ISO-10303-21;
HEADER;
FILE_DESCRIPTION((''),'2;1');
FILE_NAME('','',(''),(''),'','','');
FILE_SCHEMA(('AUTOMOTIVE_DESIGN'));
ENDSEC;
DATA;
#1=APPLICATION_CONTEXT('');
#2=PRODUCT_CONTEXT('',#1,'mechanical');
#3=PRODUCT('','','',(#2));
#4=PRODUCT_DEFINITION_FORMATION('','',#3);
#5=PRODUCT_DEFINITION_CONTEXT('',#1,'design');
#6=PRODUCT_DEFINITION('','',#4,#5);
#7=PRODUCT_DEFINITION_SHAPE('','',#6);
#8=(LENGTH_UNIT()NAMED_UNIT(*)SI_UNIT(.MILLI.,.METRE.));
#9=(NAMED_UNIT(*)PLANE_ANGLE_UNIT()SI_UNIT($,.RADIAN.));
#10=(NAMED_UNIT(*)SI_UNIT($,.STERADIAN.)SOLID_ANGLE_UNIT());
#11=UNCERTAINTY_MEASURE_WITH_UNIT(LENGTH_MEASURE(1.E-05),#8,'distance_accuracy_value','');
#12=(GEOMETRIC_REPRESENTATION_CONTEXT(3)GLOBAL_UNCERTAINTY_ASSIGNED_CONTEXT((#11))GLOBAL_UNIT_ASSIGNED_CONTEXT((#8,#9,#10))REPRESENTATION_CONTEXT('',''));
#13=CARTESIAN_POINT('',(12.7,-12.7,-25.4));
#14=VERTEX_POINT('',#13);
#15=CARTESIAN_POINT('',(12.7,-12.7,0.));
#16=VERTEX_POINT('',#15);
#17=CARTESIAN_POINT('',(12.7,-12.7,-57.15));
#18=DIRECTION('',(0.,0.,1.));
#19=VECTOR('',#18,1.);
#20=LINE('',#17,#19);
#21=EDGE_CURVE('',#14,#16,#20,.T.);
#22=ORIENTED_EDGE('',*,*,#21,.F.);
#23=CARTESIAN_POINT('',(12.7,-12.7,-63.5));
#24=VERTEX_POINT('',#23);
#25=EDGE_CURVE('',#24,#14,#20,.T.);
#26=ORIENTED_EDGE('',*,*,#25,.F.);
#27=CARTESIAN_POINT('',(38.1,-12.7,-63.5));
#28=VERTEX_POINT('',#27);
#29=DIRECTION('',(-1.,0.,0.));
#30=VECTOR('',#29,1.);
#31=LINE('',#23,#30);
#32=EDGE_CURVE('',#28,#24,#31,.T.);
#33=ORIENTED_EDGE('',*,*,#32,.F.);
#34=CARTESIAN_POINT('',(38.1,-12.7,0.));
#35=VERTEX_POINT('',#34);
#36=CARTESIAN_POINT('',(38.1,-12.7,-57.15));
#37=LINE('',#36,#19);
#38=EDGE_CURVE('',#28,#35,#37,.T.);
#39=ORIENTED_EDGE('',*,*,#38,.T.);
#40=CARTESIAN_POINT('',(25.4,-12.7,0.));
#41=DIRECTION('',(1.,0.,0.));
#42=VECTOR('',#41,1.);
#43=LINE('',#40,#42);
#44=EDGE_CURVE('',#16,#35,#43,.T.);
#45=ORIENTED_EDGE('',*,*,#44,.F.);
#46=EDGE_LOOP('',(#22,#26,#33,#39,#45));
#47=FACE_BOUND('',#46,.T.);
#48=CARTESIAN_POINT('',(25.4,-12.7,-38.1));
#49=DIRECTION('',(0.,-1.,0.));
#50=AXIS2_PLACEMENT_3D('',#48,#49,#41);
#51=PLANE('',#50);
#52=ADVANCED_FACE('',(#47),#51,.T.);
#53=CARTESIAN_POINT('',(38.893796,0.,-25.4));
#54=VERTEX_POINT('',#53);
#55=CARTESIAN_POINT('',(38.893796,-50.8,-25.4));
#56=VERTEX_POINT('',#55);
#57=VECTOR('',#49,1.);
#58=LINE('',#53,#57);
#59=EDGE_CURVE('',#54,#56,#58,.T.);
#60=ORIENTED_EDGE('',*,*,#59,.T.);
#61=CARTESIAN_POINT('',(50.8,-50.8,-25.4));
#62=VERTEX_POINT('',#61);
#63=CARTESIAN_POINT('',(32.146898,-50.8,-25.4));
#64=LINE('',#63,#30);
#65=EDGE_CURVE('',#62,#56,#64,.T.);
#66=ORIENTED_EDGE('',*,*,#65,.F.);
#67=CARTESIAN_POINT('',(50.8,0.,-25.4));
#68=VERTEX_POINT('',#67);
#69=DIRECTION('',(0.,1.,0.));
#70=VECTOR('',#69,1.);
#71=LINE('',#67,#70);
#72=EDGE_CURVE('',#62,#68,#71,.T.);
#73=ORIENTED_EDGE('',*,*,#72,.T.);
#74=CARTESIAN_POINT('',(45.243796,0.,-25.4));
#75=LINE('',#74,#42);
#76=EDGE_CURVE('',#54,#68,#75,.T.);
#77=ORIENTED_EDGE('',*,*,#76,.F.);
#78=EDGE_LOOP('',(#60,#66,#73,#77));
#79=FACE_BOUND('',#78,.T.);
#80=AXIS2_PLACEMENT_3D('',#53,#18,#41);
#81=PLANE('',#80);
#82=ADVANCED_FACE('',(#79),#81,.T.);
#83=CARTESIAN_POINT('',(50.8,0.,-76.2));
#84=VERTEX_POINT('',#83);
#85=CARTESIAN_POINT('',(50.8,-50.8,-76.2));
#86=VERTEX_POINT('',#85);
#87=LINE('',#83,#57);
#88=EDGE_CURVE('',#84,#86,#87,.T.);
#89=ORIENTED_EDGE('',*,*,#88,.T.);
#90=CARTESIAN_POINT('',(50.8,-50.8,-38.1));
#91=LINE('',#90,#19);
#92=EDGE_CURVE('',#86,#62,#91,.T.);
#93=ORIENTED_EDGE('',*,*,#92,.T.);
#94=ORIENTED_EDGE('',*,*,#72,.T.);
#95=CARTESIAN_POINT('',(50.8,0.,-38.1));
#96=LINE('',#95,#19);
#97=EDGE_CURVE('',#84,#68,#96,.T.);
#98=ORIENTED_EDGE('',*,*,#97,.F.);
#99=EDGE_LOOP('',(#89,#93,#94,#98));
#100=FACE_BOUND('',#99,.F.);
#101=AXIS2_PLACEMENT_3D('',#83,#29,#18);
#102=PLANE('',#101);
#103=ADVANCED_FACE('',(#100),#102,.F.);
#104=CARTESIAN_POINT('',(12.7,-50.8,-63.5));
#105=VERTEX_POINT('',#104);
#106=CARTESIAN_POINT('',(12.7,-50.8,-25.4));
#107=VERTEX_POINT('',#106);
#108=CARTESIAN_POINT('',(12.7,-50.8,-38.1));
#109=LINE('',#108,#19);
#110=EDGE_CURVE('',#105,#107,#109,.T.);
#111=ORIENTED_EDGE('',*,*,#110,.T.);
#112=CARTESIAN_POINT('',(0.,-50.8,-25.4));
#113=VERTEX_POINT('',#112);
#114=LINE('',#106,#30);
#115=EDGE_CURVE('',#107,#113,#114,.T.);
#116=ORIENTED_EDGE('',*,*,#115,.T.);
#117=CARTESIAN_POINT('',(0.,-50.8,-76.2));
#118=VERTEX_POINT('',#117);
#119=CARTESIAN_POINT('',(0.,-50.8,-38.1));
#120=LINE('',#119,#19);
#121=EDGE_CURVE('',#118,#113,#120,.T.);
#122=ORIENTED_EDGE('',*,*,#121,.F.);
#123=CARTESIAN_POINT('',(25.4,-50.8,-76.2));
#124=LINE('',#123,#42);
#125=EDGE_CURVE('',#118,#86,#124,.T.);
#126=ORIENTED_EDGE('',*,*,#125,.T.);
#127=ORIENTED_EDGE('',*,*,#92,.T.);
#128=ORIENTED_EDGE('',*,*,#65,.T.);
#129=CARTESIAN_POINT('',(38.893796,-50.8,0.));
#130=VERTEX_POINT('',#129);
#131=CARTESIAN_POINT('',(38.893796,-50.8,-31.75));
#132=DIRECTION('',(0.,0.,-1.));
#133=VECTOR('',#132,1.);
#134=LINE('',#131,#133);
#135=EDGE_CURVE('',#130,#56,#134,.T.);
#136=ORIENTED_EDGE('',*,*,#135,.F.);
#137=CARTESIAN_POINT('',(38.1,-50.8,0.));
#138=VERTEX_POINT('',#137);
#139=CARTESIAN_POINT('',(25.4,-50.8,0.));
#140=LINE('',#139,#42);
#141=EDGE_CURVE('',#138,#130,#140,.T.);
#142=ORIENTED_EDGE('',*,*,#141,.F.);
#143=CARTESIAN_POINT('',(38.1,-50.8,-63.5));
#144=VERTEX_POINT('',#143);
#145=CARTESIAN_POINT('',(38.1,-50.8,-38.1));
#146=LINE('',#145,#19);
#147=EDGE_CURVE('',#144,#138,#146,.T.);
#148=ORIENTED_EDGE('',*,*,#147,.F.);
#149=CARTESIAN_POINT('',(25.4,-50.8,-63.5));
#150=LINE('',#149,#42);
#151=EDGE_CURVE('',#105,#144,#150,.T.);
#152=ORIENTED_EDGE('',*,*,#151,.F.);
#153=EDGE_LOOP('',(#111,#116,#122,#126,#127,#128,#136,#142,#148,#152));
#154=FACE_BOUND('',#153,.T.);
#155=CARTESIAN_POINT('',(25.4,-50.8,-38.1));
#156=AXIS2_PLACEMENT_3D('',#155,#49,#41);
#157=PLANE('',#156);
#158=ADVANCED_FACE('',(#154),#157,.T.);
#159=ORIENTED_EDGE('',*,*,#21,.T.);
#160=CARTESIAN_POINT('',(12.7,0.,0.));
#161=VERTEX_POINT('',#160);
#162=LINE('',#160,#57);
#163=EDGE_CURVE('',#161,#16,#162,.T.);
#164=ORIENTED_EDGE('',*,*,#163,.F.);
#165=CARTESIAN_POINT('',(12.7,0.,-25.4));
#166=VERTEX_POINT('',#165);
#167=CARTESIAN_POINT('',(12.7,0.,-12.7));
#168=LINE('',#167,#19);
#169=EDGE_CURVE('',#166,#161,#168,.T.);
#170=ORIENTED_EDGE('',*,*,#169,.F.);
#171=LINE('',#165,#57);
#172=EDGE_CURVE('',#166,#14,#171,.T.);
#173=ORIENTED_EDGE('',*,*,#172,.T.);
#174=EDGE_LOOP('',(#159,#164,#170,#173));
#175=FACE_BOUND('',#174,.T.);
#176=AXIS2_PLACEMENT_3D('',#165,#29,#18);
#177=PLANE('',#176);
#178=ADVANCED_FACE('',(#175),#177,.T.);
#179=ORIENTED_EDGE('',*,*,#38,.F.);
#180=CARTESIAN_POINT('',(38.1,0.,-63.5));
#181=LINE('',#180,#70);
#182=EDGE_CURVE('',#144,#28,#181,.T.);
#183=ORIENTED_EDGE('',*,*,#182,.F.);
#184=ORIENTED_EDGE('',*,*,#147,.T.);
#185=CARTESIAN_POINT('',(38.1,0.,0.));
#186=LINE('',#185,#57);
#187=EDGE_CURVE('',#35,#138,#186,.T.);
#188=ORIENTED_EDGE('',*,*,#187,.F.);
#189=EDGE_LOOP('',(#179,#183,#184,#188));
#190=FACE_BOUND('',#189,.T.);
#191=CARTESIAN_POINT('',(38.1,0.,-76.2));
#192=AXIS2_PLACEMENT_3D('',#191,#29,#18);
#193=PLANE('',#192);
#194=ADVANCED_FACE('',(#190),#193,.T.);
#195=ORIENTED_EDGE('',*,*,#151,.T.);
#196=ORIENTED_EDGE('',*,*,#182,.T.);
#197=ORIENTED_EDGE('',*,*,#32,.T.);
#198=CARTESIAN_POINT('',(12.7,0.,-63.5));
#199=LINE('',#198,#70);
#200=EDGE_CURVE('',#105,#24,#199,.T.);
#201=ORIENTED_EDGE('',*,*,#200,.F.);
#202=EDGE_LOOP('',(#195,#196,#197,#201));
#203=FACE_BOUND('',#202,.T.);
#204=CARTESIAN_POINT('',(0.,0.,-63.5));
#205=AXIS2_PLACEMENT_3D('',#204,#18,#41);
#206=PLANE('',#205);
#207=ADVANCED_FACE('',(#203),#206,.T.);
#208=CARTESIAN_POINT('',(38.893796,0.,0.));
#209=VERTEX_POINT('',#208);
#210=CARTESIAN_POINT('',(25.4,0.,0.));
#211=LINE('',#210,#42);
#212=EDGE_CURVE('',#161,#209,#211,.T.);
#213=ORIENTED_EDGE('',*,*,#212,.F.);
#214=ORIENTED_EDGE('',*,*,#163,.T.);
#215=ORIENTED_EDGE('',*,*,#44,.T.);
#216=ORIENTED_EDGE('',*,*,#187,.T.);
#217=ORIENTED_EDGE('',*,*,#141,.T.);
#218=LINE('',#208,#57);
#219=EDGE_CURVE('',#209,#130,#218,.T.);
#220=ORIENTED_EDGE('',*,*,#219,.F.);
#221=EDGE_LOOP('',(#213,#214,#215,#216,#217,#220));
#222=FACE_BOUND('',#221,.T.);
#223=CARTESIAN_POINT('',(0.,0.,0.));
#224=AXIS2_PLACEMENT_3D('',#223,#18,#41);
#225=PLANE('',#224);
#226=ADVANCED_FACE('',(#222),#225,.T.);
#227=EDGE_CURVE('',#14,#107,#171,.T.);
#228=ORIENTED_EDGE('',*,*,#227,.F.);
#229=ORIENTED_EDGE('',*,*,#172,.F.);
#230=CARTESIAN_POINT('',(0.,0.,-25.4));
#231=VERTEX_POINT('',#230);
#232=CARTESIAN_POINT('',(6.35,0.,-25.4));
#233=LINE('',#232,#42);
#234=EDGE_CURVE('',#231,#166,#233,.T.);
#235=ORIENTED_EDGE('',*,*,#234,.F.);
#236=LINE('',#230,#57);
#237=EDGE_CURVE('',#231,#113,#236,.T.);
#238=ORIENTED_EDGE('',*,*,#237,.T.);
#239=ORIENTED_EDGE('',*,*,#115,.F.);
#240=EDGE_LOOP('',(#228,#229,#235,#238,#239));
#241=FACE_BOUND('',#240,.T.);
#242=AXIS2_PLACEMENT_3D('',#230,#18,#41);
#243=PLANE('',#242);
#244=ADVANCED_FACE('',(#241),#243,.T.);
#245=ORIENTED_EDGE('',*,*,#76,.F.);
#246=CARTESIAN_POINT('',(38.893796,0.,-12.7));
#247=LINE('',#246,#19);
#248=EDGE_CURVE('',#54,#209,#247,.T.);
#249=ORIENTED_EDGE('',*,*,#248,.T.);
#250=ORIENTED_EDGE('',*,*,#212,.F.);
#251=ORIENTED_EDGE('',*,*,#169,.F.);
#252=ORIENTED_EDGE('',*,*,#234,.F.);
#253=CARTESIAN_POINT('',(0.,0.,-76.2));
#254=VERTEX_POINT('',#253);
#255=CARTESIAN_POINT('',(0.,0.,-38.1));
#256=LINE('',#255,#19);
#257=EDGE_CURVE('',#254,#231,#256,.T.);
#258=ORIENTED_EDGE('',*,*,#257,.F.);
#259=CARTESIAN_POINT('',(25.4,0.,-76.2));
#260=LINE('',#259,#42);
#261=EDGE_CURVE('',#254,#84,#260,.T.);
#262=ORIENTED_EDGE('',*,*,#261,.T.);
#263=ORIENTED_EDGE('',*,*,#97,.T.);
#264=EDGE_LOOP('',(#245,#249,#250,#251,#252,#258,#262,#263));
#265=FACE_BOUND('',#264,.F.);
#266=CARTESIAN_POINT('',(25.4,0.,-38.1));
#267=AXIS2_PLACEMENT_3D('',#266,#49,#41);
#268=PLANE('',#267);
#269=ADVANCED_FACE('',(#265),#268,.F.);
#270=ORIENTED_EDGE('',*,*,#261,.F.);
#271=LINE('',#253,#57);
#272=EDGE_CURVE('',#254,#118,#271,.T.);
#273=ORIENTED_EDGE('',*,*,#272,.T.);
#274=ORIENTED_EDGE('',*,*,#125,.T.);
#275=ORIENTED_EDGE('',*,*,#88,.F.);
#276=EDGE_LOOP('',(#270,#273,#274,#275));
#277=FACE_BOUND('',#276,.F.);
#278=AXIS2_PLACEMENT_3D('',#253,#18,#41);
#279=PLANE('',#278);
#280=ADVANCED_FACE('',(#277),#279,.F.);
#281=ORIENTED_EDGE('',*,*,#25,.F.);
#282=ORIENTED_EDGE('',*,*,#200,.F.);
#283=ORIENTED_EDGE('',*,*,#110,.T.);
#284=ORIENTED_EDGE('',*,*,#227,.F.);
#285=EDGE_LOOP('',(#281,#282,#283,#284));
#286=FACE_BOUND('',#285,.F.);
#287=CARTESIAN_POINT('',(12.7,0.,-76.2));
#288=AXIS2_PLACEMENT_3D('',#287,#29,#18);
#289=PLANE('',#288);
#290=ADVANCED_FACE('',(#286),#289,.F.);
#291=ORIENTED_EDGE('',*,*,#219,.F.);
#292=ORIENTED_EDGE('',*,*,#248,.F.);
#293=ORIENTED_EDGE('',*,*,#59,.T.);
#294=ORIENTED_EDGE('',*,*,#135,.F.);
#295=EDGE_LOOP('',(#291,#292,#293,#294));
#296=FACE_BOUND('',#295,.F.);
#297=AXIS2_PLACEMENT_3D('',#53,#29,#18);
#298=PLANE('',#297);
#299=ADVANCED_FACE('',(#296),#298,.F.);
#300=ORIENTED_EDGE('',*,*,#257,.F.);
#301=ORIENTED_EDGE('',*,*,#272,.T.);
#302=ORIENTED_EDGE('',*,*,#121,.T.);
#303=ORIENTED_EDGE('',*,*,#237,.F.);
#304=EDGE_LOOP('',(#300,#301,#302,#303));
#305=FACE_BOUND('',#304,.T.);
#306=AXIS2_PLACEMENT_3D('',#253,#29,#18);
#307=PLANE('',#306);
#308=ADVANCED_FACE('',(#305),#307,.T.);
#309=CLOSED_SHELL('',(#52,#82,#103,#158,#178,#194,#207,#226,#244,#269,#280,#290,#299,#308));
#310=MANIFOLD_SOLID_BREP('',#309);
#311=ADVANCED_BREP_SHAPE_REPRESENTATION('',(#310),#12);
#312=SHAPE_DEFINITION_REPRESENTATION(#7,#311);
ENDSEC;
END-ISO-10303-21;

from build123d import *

# Parameters (mm, degrees)
F0_W     = 50.8
F0_H     = 76.2
F1_DEPTH = 50.8
F2_T     = -12.7
F3_W     = 12.7
F3_H     = 25.4
F4_DEPTH = 79.708762


with BuildPart() as f1:
    # F0 (on Front) → F1 (new body)
    with BuildSketch(Plane.XZ):
        with Locations((25.4, -38.1)):
            Rectangle(F0_W, F0_H)
    extrude(amount=F1_DEPTH)

    # F2
    f2_openings = [f1.faces().sort_by_distance(p)[0] for p in [
        (25.4, -50.8, -38.1),
        (25.4, -25.4, 0),
    ]]
    offset(amount=F2_T, openings=f2_openings)

    # F3 (on Front) → F4 (cut)
    with BuildSketch(Plane.XZ):
        with Locations((6.35, -12.7)):
            Rectangle(F3_W, F3_H)
        with Locations((45.243796, -12.7)):
            Rectangle(F3_W, F3_H)
    extrude(amount=F4_DEPTH, mode=Mode.SUBTRACT)


solid = f1.part
